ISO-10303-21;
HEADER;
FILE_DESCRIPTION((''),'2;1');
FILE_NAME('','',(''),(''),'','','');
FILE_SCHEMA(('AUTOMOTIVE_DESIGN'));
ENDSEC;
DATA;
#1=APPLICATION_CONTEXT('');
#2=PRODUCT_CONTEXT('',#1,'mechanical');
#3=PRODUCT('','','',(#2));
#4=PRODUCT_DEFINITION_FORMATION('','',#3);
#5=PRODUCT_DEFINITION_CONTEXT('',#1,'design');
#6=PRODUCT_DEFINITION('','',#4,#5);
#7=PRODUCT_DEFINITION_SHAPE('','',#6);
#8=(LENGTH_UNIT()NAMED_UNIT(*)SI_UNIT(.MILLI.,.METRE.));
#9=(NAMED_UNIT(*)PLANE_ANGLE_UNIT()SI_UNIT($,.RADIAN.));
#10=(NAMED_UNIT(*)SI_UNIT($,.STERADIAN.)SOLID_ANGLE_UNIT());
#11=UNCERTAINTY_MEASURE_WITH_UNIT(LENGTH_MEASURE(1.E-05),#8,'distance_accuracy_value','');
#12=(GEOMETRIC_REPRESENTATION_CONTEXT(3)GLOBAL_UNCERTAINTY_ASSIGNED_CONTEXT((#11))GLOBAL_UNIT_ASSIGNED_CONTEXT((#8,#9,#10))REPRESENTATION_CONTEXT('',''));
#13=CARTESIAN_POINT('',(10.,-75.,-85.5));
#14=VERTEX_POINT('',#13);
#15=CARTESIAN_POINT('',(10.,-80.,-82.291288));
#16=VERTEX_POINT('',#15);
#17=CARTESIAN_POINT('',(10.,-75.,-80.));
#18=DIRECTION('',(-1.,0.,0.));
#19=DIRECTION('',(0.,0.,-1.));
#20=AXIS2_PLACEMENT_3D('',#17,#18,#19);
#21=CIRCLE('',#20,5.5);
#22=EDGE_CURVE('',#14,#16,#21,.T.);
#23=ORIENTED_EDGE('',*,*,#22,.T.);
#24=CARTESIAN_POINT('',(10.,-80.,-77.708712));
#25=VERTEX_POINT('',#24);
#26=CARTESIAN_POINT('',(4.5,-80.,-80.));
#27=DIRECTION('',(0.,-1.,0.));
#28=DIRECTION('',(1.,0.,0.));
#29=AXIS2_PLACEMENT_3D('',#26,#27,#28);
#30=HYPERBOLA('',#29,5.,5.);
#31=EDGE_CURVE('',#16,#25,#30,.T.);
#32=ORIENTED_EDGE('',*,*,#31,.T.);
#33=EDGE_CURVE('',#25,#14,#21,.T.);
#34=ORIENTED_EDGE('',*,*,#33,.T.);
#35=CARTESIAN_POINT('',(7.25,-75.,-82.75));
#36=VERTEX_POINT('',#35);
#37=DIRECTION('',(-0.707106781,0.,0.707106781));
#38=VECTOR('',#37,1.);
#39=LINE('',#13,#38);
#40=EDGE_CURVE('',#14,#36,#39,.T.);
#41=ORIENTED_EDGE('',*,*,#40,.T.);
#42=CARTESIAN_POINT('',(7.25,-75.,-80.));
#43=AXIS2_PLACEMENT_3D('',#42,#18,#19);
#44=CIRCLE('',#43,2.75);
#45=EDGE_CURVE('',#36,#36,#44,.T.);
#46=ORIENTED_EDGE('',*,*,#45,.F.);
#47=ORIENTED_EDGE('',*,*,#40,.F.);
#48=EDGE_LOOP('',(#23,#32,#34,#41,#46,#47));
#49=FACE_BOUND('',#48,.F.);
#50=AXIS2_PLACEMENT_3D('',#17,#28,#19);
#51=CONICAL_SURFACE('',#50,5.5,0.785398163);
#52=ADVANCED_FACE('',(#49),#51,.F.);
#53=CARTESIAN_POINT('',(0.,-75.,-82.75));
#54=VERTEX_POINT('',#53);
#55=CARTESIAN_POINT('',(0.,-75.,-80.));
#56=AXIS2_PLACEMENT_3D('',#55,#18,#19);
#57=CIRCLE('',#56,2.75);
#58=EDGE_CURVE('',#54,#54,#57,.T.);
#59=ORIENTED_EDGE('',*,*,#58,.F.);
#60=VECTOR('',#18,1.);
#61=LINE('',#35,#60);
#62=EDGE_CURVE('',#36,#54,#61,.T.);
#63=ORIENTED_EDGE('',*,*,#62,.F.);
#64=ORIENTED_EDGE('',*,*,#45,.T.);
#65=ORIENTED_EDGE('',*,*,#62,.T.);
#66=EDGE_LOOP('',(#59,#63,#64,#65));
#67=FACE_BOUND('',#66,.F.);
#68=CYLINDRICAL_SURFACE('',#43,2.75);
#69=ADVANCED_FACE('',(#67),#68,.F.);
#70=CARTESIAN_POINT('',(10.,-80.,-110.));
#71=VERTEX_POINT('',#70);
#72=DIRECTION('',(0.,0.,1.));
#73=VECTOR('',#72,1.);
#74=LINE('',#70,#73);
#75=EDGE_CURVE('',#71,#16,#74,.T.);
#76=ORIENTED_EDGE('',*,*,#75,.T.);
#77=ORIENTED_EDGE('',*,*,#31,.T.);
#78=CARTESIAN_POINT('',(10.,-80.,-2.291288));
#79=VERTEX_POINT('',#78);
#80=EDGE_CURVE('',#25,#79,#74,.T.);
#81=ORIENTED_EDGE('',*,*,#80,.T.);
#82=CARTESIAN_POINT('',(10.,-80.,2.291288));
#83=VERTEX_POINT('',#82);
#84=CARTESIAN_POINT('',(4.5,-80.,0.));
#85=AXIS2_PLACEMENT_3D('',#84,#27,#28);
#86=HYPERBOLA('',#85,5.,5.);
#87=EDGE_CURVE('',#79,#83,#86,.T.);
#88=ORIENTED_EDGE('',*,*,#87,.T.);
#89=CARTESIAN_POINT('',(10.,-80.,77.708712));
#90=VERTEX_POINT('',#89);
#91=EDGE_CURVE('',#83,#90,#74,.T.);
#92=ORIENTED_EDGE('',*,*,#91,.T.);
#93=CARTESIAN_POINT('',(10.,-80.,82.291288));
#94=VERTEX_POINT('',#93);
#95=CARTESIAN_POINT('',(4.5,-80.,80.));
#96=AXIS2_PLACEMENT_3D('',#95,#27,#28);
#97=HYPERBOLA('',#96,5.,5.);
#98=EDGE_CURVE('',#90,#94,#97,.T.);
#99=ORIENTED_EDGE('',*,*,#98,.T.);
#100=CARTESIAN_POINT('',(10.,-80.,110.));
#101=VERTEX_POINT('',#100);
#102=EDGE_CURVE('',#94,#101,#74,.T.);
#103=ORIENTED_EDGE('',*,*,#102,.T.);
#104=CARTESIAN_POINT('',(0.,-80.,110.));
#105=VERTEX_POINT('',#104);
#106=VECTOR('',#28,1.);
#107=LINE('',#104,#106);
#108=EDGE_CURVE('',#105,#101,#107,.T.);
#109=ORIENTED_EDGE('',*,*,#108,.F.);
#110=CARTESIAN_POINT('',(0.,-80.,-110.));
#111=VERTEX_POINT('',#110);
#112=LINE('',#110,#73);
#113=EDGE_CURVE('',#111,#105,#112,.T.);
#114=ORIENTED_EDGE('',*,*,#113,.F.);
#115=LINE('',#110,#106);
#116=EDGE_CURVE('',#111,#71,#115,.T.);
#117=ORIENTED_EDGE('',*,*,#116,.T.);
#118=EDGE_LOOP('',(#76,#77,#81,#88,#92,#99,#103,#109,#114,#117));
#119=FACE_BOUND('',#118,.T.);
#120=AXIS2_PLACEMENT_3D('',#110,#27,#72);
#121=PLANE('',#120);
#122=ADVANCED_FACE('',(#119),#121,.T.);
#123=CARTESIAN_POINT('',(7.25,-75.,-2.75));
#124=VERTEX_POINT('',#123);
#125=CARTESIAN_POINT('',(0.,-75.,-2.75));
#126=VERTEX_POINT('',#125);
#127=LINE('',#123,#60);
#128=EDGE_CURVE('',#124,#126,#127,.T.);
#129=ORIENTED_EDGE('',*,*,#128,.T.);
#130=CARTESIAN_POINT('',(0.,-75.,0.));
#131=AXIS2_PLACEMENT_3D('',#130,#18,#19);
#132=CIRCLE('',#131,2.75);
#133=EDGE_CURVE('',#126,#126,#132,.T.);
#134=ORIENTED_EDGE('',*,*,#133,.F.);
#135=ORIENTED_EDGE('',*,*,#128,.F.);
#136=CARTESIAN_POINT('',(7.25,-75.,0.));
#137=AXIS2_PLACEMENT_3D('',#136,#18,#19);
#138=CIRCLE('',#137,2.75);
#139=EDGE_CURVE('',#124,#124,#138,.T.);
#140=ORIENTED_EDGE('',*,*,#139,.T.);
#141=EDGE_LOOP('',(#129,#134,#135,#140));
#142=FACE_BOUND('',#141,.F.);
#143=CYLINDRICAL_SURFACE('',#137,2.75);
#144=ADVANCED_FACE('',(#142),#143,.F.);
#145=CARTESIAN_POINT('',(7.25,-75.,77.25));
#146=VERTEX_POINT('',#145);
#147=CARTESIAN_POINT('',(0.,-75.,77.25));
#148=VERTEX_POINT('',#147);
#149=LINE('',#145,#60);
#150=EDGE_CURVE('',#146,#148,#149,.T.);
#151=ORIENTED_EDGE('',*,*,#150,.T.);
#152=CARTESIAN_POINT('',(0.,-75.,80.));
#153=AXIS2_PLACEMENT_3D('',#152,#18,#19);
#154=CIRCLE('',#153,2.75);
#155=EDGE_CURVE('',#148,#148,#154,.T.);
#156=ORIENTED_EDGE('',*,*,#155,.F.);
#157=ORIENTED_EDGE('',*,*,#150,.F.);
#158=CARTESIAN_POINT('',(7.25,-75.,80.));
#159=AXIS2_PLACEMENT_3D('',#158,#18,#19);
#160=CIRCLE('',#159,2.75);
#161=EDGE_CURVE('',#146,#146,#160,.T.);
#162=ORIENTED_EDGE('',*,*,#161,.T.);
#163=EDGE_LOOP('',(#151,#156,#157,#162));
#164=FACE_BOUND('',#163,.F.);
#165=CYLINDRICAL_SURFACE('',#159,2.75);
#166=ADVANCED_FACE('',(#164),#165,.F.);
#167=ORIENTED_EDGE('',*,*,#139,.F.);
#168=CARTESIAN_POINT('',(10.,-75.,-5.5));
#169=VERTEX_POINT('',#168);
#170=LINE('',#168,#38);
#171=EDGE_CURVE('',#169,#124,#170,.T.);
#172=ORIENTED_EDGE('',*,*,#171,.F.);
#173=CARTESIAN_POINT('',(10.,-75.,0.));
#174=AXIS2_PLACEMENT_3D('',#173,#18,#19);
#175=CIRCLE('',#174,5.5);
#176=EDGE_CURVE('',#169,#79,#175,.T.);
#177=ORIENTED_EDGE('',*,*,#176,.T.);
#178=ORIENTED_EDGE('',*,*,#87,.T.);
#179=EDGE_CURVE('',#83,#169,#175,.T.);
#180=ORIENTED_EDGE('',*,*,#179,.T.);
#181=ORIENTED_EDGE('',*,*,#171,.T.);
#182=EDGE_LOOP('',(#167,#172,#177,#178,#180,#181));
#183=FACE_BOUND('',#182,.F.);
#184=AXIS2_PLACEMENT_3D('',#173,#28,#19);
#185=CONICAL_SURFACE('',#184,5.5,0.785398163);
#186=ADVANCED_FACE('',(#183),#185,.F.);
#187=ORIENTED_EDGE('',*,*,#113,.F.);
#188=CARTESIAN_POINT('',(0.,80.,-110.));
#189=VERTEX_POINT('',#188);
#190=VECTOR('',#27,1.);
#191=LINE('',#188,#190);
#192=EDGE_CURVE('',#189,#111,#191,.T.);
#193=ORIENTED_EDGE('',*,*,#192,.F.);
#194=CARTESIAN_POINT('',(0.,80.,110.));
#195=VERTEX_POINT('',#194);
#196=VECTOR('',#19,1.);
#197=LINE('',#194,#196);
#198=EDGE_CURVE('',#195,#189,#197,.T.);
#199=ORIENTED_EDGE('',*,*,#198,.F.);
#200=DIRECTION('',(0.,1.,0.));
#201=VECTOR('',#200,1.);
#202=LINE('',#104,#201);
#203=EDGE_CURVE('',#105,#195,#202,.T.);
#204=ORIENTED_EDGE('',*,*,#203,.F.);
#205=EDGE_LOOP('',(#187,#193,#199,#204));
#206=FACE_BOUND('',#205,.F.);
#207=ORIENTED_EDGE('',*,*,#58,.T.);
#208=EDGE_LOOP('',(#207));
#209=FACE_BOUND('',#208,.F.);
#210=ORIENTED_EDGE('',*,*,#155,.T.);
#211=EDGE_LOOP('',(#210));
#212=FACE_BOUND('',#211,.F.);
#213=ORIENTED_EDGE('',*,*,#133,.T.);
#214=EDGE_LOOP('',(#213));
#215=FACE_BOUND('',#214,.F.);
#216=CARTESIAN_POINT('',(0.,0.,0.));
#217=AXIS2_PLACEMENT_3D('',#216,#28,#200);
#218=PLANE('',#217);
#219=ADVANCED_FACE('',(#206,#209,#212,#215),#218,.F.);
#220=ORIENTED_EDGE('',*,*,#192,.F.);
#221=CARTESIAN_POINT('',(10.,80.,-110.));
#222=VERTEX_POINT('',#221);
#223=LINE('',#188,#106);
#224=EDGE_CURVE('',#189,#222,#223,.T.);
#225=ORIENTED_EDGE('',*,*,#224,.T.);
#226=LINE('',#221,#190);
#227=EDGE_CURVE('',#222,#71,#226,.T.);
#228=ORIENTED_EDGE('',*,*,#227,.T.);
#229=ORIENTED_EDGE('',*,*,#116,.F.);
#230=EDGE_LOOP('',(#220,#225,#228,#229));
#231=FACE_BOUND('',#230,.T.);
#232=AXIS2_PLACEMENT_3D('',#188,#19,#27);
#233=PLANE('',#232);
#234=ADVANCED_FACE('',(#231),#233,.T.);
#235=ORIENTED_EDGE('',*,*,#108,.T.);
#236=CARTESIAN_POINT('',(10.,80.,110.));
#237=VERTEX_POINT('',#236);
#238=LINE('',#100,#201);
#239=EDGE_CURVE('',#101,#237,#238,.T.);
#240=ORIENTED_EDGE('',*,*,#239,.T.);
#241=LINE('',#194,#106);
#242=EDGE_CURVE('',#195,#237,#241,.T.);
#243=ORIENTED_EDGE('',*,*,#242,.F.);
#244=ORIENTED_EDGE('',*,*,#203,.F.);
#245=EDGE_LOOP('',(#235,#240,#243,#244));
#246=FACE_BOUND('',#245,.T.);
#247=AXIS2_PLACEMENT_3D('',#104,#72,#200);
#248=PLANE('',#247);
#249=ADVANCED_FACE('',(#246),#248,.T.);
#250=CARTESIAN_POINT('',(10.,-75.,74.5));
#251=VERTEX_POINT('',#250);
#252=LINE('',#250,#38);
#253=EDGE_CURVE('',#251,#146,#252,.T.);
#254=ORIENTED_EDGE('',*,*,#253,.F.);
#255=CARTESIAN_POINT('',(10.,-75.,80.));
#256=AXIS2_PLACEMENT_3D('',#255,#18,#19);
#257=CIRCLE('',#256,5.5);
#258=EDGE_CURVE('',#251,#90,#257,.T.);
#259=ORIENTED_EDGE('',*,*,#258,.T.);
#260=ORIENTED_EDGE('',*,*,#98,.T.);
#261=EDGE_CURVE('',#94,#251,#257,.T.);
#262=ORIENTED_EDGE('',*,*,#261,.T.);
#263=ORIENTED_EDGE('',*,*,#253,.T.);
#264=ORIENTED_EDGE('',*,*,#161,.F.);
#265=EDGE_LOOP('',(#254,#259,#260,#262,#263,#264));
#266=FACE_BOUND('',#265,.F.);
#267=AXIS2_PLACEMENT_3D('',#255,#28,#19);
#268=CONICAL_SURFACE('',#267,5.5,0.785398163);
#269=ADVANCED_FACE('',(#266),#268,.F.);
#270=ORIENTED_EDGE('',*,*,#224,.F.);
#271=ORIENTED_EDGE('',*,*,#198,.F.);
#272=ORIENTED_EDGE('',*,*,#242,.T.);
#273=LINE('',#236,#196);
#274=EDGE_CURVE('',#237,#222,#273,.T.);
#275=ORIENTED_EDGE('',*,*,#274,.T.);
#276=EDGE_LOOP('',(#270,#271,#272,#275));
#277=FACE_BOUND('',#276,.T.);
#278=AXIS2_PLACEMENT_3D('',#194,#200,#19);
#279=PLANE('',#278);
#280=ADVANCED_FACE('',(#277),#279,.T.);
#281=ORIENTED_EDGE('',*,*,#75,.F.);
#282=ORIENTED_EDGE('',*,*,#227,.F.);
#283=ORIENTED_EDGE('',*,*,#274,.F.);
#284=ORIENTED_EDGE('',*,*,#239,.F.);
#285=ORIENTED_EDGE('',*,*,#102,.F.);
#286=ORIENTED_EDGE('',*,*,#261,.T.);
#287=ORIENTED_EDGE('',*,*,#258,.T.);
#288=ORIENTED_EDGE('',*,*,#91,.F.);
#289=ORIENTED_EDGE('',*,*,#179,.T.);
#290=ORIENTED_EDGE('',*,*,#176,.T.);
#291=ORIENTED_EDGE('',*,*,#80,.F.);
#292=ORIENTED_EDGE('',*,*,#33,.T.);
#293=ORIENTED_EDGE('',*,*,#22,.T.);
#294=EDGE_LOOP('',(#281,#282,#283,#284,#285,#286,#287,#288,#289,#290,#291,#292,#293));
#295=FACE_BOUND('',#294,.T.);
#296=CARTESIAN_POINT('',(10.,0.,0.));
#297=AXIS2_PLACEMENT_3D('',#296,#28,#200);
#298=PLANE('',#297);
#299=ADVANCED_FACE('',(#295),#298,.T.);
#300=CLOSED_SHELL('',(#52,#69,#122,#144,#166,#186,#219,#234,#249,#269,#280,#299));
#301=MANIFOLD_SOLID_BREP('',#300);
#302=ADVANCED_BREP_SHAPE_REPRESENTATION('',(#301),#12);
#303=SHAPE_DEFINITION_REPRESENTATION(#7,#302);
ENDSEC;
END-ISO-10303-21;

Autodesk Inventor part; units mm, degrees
ref_plane "YZ Plane" through (0, 0, 0) normal (1, 0, 0) x (0, 1, 0)
ref_plane "XZ Plane" through (0, 0, 0) normal (0, 1, 0) x (-1, 0, 0)
ref_plane "XY Plane" through (0, 0, 0) normal (0, 0, 1) x (1, 0, 0)
sketch "Boceto1" plane through (0, 0, 0) normal (1, 0, 0) x (0, 1, 0)
  line L0 (-80, 110) -> (80, 110)
  line L1 (80, 110) -> (80, -110)
  line L2 (80, -110) -> (-80, -110)
  line L3 (-80, -110) -> (-80, 110)
  line L4 (-80, 110) -> (80, -110) construction
  line L5 (80, 110) -> (-80, -110) construction
  point P0 (0, 0)
  dimension "d0" = 160
  dimension "d1" = 220
extrude "Extrusión1" add sketch "Boceto1" along normal blind 10
sketch "Boceto2" plane through (10, 0, 0) normal (1, 0, 0) x (0, 0, -1)
  line L0 (-109, 0) -> (109, 0) construction
  line L1 (110, 80) -> (-110, 80) construction
  line L2 (-110, 80) -> (-110, -80) construction
  line L3 (110, -80) -> (110, 80) construction
  point P0 (0, 0)
  point P1 (0, -75)
  point P2 (80, -75)
  point P3 (-80, -75)
hole "Agujero1" at (10, -75, 80) at (10, -75, 0) at (10, -75, -80) direction (-1, 0, 0) diameter 5.5 depth 20 tip angle 118 countersink diameter 11 countersink angle 90
properties part number "LATERAL A" material "Plástico PMMA"
